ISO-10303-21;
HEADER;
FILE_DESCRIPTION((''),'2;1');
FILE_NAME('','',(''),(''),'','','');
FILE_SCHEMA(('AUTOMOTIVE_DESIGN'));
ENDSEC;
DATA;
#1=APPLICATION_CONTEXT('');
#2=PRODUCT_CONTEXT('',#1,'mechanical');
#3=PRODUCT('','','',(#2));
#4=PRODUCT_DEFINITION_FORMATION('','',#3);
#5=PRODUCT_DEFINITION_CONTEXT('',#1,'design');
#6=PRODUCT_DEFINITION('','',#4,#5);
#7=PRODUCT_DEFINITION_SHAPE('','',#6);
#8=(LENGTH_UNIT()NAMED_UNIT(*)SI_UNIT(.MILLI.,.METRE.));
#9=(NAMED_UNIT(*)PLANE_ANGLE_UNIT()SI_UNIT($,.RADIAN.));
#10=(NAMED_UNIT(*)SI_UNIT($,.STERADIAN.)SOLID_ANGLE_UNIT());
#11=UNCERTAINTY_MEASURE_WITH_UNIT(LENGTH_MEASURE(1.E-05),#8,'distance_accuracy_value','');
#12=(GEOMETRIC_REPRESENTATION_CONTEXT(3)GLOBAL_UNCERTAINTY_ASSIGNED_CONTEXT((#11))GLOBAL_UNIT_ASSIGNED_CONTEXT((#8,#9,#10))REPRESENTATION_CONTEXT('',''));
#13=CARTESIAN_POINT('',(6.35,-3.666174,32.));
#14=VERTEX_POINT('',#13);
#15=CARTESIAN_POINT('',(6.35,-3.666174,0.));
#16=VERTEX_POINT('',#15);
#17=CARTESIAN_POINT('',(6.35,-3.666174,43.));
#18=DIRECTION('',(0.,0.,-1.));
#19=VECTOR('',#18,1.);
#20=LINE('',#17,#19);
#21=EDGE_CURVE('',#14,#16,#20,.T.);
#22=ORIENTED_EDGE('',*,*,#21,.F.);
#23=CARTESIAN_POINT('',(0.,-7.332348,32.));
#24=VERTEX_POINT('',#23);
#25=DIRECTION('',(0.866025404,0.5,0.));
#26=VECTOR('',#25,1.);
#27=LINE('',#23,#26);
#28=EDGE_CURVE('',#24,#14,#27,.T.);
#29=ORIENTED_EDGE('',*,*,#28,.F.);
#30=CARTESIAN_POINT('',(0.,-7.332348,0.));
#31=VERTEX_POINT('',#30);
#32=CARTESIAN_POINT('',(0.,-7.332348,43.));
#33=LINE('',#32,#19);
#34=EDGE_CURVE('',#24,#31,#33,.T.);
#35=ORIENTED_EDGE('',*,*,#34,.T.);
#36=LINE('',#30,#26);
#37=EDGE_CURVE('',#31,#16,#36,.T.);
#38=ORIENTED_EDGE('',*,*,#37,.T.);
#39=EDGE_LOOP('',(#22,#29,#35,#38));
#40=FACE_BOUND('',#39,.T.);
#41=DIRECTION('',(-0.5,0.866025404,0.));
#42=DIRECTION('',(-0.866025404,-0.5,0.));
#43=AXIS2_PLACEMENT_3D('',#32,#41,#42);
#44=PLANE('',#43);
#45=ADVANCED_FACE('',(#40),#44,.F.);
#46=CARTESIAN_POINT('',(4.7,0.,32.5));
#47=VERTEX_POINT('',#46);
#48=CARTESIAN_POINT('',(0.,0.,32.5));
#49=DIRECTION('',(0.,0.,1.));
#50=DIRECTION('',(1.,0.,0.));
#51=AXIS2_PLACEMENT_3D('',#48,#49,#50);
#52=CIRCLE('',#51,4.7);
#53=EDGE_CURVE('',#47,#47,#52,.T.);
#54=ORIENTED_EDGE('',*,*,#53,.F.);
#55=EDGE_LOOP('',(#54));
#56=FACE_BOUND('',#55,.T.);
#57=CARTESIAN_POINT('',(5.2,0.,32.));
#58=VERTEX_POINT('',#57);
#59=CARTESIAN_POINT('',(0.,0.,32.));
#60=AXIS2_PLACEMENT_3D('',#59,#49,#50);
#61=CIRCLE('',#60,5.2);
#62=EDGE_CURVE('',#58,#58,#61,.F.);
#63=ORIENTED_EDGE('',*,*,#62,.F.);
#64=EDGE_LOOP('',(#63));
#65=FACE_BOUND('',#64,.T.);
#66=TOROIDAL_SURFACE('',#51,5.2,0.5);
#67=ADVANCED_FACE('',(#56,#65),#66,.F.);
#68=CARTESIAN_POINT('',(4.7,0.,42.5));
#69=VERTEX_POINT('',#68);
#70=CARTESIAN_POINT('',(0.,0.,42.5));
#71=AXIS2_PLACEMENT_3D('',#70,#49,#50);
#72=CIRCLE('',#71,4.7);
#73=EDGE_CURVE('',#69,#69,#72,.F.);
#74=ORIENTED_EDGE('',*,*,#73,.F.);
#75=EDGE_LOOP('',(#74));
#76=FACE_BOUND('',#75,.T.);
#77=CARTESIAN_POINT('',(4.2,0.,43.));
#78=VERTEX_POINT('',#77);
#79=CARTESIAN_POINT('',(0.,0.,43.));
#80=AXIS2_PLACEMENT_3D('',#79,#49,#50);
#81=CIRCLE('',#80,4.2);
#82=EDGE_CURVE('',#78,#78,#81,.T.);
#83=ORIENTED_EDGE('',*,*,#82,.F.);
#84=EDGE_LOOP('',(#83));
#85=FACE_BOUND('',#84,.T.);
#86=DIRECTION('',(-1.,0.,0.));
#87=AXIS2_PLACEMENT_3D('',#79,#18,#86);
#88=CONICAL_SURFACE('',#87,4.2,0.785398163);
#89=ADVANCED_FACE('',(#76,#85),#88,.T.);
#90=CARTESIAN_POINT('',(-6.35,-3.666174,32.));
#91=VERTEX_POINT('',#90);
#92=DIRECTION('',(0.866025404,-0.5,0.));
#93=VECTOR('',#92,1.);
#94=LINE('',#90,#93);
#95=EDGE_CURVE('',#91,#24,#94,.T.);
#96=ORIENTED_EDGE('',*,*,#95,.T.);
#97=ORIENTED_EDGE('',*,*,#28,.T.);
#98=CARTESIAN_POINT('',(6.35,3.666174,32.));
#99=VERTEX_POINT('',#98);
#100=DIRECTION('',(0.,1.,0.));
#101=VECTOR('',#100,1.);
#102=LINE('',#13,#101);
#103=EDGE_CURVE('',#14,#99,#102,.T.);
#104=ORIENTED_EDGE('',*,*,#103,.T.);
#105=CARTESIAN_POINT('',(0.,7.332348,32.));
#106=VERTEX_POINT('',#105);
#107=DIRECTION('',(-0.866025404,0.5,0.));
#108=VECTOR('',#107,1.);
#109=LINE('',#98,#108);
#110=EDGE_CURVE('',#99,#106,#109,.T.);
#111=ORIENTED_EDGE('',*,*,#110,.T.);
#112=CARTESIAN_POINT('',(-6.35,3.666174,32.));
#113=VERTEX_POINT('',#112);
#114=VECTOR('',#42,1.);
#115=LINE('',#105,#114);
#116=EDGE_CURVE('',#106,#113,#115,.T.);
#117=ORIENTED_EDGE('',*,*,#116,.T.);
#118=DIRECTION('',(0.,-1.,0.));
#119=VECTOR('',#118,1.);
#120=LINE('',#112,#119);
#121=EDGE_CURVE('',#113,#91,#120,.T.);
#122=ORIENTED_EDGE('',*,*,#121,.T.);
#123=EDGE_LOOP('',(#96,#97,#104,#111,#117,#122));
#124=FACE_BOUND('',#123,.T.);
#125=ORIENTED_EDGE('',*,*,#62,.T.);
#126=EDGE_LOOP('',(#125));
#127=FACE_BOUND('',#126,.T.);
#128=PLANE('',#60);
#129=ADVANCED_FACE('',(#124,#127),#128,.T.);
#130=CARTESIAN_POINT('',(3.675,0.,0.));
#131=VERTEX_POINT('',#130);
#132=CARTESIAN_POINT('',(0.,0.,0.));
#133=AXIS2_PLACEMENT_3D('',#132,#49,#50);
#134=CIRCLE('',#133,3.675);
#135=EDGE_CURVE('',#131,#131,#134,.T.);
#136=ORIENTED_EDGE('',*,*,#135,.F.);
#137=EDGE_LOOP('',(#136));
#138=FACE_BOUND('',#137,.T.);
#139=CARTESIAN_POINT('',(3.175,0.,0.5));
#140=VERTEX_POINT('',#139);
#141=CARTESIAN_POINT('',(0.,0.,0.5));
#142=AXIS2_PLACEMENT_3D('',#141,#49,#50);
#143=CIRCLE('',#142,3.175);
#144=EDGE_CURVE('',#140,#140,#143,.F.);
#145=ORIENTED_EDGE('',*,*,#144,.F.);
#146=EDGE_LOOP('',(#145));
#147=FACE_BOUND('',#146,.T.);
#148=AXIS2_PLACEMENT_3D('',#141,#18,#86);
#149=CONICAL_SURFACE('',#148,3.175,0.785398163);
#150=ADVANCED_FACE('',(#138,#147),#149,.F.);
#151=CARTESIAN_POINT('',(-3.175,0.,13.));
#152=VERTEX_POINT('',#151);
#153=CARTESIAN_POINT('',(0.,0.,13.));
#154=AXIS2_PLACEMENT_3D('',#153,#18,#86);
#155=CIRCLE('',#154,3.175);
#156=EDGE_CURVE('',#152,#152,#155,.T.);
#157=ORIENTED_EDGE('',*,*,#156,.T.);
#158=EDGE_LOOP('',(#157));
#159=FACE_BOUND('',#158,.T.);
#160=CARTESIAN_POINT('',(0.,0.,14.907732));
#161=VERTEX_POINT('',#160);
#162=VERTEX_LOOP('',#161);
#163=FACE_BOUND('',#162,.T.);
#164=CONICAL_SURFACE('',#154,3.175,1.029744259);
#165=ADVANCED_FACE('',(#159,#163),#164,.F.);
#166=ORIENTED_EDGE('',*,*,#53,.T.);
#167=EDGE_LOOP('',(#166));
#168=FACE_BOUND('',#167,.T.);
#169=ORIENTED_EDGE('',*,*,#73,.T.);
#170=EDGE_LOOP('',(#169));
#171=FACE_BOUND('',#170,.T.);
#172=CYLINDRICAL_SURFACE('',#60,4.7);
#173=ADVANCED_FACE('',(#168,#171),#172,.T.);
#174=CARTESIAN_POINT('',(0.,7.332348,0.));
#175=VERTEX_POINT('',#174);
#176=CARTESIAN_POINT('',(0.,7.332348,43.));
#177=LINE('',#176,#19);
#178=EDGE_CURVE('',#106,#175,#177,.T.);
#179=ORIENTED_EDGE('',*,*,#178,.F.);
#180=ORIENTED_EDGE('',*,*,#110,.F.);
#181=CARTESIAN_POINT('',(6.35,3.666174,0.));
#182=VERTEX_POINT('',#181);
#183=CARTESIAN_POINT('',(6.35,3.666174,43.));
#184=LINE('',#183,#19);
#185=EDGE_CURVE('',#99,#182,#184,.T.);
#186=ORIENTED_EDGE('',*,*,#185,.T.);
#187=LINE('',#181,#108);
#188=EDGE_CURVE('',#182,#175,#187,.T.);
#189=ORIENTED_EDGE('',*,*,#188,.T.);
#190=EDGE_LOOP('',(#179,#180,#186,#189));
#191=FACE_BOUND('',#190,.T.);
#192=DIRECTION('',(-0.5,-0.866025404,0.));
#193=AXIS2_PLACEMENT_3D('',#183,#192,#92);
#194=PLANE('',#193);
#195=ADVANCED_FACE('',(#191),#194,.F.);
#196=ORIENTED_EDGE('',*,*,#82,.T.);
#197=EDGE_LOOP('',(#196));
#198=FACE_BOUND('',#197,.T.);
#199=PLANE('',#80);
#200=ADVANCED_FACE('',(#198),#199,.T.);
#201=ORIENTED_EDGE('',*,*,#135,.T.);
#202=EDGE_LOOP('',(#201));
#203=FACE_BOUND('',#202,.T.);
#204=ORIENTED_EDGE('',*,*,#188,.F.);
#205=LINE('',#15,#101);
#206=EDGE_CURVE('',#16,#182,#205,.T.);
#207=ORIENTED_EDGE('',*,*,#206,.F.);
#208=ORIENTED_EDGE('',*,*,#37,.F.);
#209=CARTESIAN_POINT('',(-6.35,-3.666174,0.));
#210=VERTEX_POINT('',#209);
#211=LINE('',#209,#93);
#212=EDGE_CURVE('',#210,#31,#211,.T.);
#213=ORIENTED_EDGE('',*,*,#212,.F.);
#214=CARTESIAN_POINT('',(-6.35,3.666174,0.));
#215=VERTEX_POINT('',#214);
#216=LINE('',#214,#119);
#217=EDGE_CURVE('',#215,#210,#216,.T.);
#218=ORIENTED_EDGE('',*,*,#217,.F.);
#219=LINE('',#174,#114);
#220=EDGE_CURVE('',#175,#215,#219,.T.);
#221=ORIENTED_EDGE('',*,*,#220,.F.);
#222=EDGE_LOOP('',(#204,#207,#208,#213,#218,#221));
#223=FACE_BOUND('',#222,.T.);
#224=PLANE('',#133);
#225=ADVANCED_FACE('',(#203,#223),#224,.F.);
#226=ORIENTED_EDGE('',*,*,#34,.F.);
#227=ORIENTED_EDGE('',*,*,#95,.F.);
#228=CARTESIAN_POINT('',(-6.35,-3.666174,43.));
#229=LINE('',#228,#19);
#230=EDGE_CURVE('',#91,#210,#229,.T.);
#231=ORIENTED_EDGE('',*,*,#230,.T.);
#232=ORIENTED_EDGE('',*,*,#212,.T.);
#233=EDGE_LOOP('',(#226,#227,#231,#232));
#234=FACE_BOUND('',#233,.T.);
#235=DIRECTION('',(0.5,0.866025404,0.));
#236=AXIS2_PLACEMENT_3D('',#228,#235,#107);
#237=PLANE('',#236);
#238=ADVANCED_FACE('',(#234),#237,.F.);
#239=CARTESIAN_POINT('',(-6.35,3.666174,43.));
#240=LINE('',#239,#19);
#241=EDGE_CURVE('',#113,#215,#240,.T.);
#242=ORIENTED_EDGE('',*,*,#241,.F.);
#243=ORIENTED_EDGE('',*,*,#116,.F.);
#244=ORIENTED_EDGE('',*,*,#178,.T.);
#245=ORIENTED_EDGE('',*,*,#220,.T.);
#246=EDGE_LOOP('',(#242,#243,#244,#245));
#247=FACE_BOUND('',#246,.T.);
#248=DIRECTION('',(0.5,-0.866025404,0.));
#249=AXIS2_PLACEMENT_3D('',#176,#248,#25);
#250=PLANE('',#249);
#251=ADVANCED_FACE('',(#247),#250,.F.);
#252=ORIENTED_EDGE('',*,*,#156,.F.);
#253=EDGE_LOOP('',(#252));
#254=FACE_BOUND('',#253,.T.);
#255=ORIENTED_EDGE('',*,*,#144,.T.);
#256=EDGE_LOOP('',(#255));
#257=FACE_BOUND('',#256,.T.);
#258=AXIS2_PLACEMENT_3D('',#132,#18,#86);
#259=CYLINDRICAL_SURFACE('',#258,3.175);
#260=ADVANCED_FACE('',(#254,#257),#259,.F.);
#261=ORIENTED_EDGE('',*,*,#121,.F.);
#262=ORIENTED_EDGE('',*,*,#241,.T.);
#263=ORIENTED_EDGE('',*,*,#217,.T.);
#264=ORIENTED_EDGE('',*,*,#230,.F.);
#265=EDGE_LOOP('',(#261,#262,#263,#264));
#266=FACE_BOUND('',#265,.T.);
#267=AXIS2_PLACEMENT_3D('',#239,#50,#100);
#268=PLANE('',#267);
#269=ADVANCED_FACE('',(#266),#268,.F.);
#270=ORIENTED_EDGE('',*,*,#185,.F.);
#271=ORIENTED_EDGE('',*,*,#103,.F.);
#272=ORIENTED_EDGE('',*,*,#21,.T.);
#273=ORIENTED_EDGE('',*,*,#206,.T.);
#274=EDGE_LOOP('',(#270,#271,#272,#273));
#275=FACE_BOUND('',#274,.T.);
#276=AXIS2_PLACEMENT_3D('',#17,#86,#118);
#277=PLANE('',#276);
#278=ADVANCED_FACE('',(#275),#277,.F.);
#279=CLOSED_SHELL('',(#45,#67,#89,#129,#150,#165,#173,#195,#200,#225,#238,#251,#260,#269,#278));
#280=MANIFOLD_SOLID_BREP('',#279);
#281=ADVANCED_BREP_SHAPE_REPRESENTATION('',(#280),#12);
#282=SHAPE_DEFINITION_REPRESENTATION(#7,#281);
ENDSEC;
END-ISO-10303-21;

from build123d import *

# Parameters (mm, degrees)
BOSS_EXTRUDE1_DEPTH       = 43
SKETCH4_R                 = 10.207731482
SKETCH4_R_2               = 4.7
CUT_EXTRUDE3_DEPTH        = 11
CHAMFER3_SIZE             = 0.5
FILLET2_R                 = 0.5
F_1_0MM_DOWEL_HOLE1_D     = 6.35
F_1_0MM_DOWEL_HOLE1_DEPTH = 13
F_1_0MM_DOWEL_HOLE1_TIP   = 1.907732465
CHAMFER4_SIZE             = 0.5


with BuildPart() as part:
    # Sketch1 → Boss-Extrude1 (new body)
    with BuildSketch(Plane.XY):
        Polygon((0, 7.332348419), (-6.35, 3.666174209), (-6.35, -3.666174209), (0, -7.332348419), (6.35, -3.666174209), (6.35, 3.666174209), align=None)
    extrude(amount=BOSS_EXTRUDE1_DEPTH)

    # Sketch4 → Cut-Extrude3 (cut)
    with BuildSketch(Plane.XY.offset(43)):
        Circle(SKETCH4_R)
        Circle(SKETCH4_R_2, mode=Mode.SUBTRACT)
    extrude(amount=-CUT_EXTRUDE3_DEPTH, mode=Mode.SUBTRACT)

    # Chamfer3
    chamfer3_edges = [part.edges().sort_by_distance(p)[0] for p in [
        (-4.7, 0, 43),
    ]]
    chamfer(chamfer3_edges, length=CHAMFER3_SIZE)

    # Fillet2
    fillet2_edges = [part.edges().sort_by_distance(p)[0] for p in [
        (-4.7, 0, 32),
    ]]
    fillet(fillet2_edges, radius=FILLET2_R)

    # Ø1.0mm Dowel Hole1
    with Locations(Plane(origin=(0, 0, 0), x_dir=(-1, 0, 0), z_dir=(0, 0, -1))):
        with Locations((0, 0)):
            Hole(F_1_0MM_DOWEL_HOLE1_D / 2, depth=F_1_0MM_DOWEL_HOLE1_DEPTH)
            with Locations((0, 0, -(F_1_0MM_DOWEL_HOLE1_DEPTH + F_1_0MM_DOWEL_HOLE1_TIP / 2))):  # 118° drill point
                Cone(0, F_1_0MM_DOWEL_HOLE1_D / 2, F_1_0MM_DOWEL_HOLE1_TIP, mode=Mode.SUBTRACT)

    # Chamfer4
    chamfer4_edges = [part.edges().sort_by_distance(p)[0] for p in [
        (-3.175, 0, 0),
    ]]
    chamfer(chamfer4_edges, length=CHAMFER4_SIZE)


solid = part.part
